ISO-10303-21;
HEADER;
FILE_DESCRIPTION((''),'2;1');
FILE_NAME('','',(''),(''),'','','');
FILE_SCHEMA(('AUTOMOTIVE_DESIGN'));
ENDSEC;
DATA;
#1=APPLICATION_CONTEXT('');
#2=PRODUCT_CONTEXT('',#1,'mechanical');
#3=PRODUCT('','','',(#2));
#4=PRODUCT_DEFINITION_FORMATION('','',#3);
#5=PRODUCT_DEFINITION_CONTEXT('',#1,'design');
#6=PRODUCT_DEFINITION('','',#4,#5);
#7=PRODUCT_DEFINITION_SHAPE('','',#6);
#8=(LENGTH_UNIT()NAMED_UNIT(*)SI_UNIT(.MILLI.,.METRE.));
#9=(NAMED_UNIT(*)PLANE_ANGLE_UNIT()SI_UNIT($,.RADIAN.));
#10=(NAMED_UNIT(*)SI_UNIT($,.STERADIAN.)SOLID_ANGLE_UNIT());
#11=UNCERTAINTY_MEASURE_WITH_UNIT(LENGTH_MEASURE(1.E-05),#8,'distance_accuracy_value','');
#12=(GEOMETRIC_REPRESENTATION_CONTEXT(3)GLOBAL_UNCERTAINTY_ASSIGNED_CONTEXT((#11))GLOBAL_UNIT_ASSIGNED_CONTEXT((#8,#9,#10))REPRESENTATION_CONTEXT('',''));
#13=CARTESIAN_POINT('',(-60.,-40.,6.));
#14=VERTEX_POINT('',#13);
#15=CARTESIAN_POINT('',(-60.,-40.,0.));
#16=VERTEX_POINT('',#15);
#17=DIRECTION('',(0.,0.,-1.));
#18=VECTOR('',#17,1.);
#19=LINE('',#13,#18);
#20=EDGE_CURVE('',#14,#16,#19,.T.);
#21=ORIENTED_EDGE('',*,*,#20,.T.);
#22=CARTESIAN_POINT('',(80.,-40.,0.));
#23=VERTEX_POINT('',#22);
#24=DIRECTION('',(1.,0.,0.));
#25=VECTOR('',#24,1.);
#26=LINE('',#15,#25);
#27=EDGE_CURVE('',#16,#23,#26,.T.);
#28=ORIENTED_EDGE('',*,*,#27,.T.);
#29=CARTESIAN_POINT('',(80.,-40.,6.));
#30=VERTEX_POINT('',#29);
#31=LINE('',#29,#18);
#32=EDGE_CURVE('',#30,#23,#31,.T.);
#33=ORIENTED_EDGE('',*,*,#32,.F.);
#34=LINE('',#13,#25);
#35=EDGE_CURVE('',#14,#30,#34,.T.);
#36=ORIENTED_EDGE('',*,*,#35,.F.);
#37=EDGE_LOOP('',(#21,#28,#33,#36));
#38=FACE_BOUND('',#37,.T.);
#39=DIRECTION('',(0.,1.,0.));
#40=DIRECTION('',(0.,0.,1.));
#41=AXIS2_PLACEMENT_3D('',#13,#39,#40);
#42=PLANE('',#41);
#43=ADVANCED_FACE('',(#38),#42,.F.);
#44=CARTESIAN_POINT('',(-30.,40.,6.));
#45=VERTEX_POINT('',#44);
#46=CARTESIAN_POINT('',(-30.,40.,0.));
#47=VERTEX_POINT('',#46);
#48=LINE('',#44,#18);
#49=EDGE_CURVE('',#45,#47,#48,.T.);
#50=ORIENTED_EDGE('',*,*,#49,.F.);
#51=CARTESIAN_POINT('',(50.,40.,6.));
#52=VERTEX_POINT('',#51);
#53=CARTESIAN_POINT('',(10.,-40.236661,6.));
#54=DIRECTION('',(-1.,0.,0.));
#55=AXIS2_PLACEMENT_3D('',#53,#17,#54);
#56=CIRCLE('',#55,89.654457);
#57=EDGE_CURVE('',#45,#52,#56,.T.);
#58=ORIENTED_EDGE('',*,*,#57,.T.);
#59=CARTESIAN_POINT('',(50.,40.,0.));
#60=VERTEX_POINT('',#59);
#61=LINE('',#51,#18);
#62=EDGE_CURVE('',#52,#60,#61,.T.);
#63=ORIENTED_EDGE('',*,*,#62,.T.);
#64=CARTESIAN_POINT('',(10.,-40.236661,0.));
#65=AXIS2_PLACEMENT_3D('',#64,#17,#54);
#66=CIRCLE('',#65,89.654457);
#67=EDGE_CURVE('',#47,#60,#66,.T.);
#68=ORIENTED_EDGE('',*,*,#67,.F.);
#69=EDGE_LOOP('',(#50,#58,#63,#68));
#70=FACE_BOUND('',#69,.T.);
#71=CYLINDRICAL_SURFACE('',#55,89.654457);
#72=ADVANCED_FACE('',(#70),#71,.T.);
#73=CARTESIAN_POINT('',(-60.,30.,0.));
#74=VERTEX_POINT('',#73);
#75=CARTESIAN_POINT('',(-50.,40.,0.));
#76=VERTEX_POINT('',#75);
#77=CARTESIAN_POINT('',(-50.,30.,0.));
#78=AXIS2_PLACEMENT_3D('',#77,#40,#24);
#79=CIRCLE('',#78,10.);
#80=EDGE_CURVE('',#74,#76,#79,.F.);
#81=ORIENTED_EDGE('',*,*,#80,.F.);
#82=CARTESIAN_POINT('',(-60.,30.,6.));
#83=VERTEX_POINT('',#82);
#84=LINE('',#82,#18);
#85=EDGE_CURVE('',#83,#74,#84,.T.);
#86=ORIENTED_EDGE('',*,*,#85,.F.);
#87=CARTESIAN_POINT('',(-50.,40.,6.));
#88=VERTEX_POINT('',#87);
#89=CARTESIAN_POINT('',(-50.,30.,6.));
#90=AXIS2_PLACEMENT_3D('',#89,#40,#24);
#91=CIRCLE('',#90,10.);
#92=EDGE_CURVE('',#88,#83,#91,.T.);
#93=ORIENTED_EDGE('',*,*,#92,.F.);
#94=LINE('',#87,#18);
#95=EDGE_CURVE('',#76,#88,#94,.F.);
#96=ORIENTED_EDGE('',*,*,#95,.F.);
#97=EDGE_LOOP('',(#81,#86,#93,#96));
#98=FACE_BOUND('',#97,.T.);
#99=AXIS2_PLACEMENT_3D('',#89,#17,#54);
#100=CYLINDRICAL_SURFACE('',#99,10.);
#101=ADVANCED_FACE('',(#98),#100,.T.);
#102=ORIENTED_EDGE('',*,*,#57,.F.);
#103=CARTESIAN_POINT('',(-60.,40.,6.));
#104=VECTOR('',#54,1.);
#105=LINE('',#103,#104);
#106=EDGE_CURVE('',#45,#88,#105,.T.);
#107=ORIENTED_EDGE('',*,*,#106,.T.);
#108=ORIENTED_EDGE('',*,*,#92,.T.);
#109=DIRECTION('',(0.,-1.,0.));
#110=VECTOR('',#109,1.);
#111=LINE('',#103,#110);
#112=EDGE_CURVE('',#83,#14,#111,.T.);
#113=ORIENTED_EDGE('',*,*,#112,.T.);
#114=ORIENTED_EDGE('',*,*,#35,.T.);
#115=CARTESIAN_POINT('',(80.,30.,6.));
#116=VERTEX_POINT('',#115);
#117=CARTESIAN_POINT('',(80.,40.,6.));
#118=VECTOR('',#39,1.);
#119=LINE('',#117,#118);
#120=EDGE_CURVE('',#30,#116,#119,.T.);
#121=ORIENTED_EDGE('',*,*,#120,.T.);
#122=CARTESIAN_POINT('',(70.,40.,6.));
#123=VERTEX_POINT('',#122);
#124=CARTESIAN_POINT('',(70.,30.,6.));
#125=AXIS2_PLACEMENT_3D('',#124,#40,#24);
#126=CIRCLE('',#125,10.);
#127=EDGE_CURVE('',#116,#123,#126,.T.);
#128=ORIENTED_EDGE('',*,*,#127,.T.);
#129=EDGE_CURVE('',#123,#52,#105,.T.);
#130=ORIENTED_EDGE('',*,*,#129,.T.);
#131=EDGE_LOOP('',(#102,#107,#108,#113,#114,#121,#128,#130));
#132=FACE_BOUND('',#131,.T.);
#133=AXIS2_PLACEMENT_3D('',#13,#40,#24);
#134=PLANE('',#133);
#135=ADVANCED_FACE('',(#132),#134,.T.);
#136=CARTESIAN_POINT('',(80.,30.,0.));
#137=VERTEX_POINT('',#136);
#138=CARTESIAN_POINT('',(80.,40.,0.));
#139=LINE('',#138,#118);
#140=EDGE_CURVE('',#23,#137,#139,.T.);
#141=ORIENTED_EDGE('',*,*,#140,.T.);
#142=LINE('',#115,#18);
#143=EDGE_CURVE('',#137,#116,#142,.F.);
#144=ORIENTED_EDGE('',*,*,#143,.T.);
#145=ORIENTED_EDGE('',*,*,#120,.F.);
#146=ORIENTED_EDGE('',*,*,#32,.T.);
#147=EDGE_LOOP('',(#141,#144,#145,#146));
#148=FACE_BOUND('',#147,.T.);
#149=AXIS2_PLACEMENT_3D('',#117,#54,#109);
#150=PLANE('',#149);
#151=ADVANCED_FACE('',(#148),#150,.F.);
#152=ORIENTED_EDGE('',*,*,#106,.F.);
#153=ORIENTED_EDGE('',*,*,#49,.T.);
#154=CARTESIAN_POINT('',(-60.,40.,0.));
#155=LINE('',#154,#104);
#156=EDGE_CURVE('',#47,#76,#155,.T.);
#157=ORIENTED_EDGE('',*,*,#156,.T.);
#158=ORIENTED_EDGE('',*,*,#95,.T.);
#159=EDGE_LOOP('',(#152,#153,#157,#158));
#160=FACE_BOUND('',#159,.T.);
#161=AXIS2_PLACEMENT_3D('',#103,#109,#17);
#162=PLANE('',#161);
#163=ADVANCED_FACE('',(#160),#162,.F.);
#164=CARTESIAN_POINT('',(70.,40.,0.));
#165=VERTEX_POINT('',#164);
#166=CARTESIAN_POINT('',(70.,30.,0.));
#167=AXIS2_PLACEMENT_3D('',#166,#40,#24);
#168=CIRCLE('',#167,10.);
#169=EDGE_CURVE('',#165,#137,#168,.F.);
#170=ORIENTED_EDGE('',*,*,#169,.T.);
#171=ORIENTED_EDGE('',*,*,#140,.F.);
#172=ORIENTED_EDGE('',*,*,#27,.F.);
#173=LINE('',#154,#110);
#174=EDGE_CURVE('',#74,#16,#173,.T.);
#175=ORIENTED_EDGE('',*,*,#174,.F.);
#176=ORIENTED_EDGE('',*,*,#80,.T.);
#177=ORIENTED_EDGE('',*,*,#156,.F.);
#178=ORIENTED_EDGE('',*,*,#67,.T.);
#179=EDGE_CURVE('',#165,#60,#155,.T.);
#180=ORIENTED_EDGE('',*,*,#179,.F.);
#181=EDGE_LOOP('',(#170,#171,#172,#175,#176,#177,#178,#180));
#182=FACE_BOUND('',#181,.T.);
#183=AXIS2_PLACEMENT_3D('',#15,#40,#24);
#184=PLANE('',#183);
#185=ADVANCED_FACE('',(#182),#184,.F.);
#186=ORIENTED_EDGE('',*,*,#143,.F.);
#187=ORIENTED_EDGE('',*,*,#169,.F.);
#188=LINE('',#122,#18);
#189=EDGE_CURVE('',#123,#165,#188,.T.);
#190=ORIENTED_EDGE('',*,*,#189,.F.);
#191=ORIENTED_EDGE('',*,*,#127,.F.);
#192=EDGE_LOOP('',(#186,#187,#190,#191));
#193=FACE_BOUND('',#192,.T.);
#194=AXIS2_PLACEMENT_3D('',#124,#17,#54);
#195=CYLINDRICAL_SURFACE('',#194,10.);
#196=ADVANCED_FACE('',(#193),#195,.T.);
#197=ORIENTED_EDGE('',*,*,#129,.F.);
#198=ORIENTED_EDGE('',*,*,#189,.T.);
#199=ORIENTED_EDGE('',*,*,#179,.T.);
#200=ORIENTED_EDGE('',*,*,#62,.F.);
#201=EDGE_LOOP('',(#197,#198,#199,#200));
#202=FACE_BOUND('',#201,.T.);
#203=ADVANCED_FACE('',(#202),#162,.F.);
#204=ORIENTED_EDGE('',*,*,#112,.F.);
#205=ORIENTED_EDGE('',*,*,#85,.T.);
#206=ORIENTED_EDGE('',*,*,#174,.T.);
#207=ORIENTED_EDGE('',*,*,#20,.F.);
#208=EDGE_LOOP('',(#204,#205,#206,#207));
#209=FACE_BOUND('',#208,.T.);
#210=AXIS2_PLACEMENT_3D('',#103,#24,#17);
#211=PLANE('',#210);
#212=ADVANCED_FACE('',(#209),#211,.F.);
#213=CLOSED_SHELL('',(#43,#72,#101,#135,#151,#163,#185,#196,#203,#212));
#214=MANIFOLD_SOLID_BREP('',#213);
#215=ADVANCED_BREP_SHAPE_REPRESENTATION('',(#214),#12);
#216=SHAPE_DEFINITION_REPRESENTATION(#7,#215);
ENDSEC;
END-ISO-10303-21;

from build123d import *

# Parameters (mm, degrees)
ESQUISSE1_W      = 140
ESQUISSE1_H      = 80
EXTRUSION1_DEPTH = 6
CONG_1_R         = 10
EXTRUSION2_DEPTH = 6


with BuildPart() as part:
    # Esquisse1 → Extrusion1 (new body)
    with BuildSketch(Plane.XY):
        with Locations((10, 0)):
            Rectangle(ESQUISSE1_W, ESQUISSE1_H)
    extrude(amount=EXTRUSION1_DEPTH)

    # Congé1
    cong_1_edges = [part.edges().sort_by_distance(p)[0] for p in [
        (-60, 40, 3),
        (80, 40, 3),
    ]]
    fillet(cong_1_edges, radius=CONG_1_R)

    # Esquisse6 → Extrusion2 (add)
    with BuildSketch(Plane(origin=(0, 0, 0), x_dir=(-1, 0, 0), z_dir=(0, 0, -1))):
        with BuildLine():
            Line((-50, 40), (30, 40))
            ThreePointArc((30, 40), (-10, 49.417796635), (-50, 40))
        make_face()
    extrude(amount=-EXTRUSION2_DEPTH)


solid = part.part
